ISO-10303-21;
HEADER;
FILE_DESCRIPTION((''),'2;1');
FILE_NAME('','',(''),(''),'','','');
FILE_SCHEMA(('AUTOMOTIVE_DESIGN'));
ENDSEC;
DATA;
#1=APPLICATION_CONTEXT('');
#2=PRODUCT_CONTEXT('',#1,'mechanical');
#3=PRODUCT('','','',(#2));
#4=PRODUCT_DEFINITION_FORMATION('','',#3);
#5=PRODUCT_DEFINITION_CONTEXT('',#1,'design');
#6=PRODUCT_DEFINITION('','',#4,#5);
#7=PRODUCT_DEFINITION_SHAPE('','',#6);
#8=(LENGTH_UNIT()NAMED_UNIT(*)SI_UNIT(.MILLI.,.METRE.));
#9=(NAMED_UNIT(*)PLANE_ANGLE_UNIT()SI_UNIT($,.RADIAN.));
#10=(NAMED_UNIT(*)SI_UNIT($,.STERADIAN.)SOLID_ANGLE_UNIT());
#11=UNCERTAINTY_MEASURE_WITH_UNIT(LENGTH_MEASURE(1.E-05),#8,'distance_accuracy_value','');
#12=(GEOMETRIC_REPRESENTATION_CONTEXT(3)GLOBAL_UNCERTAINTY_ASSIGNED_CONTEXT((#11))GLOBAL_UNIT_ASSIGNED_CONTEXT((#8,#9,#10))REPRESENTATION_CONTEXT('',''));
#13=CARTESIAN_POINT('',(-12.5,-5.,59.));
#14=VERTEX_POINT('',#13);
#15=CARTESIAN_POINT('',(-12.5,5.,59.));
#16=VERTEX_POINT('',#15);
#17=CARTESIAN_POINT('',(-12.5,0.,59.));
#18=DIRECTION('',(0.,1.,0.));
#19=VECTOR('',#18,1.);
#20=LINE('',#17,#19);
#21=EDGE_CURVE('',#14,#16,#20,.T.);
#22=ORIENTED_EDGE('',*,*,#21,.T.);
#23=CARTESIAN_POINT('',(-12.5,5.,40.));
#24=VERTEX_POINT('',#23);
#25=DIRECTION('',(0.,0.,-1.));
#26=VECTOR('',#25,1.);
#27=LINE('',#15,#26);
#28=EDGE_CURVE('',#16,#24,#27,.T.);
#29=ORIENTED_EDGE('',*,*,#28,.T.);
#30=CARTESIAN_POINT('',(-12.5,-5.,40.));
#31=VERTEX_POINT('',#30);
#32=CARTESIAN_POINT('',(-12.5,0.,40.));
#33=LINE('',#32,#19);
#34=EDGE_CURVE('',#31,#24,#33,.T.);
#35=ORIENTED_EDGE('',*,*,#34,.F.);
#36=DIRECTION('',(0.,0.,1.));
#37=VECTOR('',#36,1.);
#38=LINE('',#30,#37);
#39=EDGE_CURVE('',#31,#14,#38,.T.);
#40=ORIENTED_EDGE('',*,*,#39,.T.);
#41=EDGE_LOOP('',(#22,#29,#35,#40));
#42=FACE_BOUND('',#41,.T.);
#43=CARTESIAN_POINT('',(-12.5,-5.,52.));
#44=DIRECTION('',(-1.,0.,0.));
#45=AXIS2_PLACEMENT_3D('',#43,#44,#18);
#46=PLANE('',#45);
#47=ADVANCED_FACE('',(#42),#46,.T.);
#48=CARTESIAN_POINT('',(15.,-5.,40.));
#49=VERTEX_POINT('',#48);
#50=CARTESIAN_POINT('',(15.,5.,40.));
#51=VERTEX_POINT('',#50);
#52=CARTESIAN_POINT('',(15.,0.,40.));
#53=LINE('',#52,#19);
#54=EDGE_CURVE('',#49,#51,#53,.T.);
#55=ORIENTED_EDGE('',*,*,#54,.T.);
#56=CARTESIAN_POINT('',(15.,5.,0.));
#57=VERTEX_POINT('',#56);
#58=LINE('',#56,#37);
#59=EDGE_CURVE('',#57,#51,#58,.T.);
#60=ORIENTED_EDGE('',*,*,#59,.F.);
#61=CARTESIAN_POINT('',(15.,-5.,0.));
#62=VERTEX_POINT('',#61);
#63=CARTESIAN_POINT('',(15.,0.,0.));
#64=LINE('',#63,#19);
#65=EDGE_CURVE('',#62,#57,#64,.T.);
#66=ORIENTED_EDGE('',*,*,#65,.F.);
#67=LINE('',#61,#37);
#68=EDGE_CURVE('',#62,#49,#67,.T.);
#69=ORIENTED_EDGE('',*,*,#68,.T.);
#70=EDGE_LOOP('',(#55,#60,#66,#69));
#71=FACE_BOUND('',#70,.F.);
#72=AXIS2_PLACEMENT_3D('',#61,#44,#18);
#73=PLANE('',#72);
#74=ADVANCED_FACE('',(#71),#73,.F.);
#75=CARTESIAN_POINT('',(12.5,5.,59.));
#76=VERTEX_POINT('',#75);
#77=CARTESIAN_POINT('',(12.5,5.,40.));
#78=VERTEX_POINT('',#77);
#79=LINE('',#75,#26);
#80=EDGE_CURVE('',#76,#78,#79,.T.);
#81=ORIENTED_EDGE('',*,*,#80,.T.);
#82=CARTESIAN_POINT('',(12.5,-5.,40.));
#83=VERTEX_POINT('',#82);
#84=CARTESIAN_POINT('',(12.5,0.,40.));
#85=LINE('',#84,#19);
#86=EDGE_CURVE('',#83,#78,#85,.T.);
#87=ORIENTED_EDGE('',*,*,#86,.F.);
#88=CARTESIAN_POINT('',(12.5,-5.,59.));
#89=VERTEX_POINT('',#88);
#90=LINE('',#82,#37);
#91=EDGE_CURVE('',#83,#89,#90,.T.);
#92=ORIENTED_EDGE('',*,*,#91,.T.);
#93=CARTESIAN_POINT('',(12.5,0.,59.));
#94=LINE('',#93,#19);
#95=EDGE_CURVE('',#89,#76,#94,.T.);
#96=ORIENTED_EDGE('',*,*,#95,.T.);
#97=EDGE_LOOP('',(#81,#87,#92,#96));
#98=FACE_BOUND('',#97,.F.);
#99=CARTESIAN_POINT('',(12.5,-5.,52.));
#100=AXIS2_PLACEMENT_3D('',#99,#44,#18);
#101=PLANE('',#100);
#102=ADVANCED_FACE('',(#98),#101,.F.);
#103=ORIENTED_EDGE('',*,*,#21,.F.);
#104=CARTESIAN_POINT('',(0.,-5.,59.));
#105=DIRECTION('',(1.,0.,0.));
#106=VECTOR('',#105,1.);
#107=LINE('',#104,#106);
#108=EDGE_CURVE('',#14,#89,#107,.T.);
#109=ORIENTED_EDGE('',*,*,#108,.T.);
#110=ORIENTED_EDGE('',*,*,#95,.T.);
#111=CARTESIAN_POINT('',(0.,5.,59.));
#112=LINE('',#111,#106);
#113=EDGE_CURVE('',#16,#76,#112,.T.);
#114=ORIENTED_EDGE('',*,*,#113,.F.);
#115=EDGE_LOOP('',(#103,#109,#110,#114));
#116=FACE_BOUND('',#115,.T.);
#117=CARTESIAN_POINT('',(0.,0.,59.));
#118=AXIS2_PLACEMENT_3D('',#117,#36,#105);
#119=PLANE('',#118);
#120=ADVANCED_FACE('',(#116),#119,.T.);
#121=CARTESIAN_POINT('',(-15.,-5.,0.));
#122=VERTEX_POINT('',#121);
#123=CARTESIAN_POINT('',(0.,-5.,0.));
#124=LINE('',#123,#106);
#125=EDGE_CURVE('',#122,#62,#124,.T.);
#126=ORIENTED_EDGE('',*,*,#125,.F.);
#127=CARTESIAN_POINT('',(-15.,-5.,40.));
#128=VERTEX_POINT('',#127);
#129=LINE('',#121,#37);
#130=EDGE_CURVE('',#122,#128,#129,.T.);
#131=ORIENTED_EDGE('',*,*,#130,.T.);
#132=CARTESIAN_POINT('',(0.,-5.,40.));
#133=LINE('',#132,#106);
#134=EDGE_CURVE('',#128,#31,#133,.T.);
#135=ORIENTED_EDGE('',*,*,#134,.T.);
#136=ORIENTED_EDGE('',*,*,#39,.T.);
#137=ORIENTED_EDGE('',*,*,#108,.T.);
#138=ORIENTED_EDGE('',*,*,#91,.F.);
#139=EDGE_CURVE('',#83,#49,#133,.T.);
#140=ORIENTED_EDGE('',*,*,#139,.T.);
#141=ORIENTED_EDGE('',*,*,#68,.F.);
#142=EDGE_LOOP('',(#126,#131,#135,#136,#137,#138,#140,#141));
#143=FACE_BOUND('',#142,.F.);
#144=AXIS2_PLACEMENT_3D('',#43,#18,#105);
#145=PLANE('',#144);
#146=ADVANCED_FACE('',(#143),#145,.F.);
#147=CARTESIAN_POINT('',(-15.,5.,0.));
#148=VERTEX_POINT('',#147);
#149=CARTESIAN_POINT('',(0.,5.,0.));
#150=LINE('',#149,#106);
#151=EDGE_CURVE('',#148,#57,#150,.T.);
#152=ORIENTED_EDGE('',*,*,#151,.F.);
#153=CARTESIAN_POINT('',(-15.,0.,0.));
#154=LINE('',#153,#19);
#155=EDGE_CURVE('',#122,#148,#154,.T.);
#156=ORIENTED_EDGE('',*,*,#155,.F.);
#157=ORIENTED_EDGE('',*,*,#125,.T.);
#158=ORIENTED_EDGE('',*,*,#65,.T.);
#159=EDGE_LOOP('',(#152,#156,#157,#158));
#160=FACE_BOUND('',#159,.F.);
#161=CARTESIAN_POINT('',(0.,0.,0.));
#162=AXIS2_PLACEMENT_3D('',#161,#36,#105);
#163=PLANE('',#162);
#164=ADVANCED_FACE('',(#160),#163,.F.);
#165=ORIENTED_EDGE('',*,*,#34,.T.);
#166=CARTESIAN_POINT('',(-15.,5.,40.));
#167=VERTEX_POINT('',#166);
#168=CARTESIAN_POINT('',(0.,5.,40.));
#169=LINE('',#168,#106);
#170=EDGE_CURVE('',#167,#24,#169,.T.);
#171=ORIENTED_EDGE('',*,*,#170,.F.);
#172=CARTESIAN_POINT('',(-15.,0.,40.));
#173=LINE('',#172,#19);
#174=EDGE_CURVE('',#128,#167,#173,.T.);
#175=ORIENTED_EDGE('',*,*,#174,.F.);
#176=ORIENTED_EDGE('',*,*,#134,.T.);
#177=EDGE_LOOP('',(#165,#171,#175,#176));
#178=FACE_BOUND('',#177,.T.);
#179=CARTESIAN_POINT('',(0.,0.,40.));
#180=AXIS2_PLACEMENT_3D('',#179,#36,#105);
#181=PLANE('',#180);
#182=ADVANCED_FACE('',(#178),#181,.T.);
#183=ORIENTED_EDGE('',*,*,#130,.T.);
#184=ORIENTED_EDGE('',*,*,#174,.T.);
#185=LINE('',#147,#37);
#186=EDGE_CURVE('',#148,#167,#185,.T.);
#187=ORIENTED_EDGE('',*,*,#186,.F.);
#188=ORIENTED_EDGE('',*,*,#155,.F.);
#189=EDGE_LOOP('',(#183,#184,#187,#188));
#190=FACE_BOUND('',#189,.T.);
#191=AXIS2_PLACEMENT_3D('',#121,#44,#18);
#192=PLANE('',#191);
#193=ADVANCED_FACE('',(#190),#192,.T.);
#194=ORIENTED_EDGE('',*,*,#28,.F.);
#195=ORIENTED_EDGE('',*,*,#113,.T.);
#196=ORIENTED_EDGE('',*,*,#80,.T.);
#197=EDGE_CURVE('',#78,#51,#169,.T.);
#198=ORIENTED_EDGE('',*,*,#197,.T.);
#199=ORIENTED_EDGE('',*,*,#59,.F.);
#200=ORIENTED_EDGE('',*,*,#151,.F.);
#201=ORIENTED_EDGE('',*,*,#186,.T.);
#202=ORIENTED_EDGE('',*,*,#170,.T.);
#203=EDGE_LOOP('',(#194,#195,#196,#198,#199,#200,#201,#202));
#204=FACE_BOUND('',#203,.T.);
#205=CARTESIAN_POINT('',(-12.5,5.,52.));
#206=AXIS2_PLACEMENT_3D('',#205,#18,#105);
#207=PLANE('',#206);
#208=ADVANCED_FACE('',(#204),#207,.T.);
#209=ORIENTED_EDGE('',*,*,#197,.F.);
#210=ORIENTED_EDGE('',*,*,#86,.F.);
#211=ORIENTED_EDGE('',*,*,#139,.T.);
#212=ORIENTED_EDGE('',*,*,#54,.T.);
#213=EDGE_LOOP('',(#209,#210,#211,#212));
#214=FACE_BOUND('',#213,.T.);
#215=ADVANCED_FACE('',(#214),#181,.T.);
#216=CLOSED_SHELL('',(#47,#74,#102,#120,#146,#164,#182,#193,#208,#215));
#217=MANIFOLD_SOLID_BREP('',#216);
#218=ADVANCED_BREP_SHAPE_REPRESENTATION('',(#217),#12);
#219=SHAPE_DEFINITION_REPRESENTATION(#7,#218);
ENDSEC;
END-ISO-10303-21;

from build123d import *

# Parameters (mm, degrees)
F0_W     = 30
F0_H     = 10
F1_DEPTH = 40
F2_W     = 25
F2_H     = 10
F3_DEPTH = 12
F4_W     = 25
F4_H     = 10
F5_DEPTH = 7


with BuildPart() as f1:
    # F0 (on Top) → F1 (new body)
    with BuildSketch(Plane.XY):
        Rectangle(F0_W, F0_H)
    extrude(amount=F1_DEPTH)

    # F2 (on face) → F3 (join)
    with BuildSketch(Plane.XY.offset(40)):
        Rectangle(F2_W, F2_H)
    extrude(amount=F3_DEPTH)

    # F4 (on face) → F5 (join)
    with BuildSketch(Plane.XY.offset(52)):
        Rectangle(F4_W, F4_H)
    extrude(amount=F5_DEPTH)


solid = f1.part
